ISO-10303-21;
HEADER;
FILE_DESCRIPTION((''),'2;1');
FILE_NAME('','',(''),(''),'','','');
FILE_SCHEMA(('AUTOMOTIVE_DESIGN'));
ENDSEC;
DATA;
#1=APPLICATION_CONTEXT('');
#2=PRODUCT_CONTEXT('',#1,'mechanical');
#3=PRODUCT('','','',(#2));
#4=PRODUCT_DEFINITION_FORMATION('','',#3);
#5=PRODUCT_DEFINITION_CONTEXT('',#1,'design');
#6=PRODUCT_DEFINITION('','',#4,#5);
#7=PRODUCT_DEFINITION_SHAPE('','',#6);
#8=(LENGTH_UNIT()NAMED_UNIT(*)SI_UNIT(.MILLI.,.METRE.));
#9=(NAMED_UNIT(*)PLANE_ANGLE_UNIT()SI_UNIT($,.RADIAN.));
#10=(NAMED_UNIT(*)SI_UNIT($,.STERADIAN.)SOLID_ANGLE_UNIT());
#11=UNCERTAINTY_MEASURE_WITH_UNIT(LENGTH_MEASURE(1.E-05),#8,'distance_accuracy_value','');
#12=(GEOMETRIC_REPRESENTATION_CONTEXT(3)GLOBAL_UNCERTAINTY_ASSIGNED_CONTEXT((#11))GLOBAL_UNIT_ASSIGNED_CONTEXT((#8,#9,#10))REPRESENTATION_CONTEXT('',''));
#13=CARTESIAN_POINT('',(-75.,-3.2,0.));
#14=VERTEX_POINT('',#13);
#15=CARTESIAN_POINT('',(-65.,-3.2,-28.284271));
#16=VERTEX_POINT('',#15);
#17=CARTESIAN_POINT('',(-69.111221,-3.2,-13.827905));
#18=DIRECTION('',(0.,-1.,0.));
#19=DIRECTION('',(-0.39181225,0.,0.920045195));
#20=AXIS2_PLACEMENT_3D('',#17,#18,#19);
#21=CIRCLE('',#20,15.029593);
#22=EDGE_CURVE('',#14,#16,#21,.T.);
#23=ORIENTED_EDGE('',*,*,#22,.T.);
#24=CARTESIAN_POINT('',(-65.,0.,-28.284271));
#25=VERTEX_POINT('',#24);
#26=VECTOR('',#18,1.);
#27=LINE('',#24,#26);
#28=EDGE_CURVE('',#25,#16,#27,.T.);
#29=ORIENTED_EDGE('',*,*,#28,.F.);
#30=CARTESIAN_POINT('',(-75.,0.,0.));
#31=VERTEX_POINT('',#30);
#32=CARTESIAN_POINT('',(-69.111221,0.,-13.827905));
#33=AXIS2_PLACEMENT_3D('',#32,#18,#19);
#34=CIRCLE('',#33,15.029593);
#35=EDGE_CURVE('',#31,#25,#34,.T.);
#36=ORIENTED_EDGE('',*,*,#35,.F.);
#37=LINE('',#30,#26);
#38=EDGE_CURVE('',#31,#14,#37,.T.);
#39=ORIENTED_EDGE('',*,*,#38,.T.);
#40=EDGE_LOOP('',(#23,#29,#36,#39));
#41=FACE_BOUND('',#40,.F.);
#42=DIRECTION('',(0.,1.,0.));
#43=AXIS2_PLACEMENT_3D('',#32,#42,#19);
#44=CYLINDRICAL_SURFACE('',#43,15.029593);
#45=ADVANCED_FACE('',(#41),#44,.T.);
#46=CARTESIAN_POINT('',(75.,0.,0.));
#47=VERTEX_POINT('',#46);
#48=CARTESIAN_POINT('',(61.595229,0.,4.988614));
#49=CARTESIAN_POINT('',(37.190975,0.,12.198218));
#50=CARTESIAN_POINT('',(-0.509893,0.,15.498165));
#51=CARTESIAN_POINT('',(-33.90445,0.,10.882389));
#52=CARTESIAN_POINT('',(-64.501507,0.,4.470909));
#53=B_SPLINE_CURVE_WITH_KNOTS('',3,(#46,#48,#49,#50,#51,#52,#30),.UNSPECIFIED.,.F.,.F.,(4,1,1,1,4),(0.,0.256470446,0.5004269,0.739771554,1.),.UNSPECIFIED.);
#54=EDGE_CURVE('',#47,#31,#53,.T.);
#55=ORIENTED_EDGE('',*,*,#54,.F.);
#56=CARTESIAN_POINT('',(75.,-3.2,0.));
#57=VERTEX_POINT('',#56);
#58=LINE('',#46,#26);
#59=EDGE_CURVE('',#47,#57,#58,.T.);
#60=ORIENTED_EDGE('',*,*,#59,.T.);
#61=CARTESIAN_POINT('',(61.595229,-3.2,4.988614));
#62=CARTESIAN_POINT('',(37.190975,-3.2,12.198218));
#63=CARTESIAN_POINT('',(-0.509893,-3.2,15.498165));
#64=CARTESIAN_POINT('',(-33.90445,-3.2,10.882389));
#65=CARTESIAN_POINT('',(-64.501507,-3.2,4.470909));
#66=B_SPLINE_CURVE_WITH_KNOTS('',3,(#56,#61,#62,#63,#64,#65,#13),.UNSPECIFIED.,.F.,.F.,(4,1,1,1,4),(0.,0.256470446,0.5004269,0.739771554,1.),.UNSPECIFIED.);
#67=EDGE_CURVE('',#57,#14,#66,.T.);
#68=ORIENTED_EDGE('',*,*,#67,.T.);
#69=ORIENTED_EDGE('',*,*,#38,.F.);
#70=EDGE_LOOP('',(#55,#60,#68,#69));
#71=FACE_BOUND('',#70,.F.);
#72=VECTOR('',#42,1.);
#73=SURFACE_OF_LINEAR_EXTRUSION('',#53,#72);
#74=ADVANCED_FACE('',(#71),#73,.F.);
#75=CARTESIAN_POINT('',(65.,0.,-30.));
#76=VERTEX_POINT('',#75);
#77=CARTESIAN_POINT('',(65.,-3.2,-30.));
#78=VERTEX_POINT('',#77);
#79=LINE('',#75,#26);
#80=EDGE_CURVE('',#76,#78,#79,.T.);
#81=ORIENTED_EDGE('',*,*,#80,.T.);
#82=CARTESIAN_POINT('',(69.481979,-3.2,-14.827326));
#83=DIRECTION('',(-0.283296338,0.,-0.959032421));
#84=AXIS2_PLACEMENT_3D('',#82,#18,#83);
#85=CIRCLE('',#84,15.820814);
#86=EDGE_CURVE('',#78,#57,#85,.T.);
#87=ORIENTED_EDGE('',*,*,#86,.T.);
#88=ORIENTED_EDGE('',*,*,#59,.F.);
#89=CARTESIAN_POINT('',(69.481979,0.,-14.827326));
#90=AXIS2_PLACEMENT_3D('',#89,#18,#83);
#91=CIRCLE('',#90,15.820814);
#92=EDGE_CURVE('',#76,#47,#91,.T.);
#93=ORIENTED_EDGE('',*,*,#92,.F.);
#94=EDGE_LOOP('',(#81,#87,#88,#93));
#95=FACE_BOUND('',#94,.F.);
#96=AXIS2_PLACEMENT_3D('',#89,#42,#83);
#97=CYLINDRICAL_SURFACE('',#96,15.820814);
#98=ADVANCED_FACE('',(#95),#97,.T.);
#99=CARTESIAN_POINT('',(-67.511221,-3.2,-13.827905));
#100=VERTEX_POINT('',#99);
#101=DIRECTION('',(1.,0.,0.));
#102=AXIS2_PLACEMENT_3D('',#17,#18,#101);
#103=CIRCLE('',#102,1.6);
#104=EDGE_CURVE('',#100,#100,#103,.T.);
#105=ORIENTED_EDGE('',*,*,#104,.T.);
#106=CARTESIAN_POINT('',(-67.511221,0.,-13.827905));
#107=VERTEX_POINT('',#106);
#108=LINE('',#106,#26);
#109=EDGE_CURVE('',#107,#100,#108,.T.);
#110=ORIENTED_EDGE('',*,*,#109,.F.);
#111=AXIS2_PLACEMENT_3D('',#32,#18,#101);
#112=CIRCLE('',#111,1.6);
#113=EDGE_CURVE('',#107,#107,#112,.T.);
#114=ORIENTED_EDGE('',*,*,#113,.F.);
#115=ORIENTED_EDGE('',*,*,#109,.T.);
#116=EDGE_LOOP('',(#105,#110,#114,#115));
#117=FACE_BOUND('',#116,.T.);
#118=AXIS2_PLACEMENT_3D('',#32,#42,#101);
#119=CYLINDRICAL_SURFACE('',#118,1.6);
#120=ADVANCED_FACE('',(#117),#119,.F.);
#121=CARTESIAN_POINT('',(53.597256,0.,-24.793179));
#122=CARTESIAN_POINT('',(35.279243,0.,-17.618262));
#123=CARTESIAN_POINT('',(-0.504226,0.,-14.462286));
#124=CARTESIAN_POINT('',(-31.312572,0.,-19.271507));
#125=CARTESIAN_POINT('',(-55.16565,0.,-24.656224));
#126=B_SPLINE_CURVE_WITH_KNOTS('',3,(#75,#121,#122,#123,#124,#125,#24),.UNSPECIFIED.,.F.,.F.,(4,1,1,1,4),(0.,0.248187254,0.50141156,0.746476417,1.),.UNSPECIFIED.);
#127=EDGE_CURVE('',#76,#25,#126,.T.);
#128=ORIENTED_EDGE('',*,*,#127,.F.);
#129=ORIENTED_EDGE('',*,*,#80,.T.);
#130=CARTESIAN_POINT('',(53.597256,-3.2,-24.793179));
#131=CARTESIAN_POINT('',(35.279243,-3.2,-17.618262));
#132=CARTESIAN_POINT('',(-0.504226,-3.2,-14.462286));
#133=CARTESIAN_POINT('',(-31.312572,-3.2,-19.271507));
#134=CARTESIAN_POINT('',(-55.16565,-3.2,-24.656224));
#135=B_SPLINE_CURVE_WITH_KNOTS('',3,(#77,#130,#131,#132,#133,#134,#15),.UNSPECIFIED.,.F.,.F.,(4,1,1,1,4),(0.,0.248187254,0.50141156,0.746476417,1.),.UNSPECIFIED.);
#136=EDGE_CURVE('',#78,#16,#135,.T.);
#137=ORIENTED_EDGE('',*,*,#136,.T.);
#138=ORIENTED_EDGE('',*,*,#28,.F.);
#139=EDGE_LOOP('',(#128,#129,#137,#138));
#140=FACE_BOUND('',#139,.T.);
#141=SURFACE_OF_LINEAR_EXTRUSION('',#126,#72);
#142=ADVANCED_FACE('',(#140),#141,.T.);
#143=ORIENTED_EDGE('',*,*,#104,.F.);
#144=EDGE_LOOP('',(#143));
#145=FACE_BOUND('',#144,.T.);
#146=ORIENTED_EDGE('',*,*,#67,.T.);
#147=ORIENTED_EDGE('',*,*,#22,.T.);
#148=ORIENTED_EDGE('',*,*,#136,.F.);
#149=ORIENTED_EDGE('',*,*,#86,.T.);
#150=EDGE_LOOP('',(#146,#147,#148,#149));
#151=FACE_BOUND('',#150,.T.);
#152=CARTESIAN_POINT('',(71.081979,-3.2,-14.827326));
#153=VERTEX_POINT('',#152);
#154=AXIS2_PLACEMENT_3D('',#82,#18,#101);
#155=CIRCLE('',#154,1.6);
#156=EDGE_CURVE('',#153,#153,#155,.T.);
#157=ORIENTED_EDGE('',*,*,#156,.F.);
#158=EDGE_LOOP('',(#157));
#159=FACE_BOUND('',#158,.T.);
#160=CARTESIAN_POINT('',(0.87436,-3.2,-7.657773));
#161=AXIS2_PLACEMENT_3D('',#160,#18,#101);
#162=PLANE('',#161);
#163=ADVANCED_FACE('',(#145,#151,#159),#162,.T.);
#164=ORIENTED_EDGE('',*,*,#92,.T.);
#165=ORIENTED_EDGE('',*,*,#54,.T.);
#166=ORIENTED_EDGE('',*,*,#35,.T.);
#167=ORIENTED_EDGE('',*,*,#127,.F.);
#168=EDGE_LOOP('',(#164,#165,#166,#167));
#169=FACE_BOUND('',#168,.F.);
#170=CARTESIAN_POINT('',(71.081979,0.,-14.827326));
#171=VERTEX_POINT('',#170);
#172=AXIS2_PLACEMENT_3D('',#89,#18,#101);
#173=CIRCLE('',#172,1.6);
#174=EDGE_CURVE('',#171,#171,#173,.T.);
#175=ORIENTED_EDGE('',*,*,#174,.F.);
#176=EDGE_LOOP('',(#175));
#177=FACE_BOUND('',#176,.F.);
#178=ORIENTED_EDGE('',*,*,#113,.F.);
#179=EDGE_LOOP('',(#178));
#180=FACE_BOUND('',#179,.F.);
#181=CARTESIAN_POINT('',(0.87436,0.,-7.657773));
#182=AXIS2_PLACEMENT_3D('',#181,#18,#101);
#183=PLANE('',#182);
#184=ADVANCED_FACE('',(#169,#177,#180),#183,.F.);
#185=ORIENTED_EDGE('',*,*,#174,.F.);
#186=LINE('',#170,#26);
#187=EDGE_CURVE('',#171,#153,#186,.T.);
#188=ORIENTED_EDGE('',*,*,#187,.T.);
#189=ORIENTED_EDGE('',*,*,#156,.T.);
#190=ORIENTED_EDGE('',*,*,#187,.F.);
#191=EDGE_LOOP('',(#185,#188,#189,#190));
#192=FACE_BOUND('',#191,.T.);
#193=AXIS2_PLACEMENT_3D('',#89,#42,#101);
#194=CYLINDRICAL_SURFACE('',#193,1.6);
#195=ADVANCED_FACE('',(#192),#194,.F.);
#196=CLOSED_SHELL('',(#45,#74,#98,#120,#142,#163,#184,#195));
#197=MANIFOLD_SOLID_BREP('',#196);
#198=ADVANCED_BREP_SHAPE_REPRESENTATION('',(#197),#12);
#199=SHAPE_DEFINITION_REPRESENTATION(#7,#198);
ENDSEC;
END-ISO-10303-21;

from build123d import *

# Parameters (mm, degrees)
F0_R     = 1.6
F1_DEPTH = 3.2


with BuildPart() as f1:
    # F0 (on Front) → F1 (new body)
    with BuildSketch(Plane.XZ):
        with BuildLine():
            ThreePointArc((65, -30), (84.4909209321, -19.8303069774), (75, 0))
            add(Edge.make_bspline(
                [(75, 0), (61.5952292187, 4.9886142034), (37.1909746484, 12.1982180517), (-0.509892686, 15.4981652254), (-33.9044498091, 10.8823891046), (-64.5015065093, 4.4709090209), (-75, 0)],
                knots=[0, 0, 0, 0, 0.2564704456, 0.5004269004, 0.7397715544, 1, 1, 1, 1], degree=3))
            ThreePointArc((-75, 0), (-83.2812575658, -18.8377692675), (-65, -28.2842712475))
            add(Edge.make_bspline(
                [(65, -30), (53.5972555683, -24.7931788831), (35.2792433223, -17.618261769), (-0.5042261959, -14.4622858619), (-31.312571712, -19.2715068031), (-55.1656504044, -24.6562241065), (-65, -28.2842712475)],
                knots=[0, 0, 0, 0, 0.2481872542, 0.5014115597, 0.7464764169, 1, 1, 1, 1], degree=3))
        make_face()
        with Locations((-69.1112213074, -13.8279049035)):
            Circle(F0_R, mode=Mode.SUBTRACT)
        with Locations((69.4819787297, -14.8273262432)):
            Circle(F0_R, mode=Mode.SUBTRACT)
    extrude(amount=F1_DEPTH)


solid = f1.part
